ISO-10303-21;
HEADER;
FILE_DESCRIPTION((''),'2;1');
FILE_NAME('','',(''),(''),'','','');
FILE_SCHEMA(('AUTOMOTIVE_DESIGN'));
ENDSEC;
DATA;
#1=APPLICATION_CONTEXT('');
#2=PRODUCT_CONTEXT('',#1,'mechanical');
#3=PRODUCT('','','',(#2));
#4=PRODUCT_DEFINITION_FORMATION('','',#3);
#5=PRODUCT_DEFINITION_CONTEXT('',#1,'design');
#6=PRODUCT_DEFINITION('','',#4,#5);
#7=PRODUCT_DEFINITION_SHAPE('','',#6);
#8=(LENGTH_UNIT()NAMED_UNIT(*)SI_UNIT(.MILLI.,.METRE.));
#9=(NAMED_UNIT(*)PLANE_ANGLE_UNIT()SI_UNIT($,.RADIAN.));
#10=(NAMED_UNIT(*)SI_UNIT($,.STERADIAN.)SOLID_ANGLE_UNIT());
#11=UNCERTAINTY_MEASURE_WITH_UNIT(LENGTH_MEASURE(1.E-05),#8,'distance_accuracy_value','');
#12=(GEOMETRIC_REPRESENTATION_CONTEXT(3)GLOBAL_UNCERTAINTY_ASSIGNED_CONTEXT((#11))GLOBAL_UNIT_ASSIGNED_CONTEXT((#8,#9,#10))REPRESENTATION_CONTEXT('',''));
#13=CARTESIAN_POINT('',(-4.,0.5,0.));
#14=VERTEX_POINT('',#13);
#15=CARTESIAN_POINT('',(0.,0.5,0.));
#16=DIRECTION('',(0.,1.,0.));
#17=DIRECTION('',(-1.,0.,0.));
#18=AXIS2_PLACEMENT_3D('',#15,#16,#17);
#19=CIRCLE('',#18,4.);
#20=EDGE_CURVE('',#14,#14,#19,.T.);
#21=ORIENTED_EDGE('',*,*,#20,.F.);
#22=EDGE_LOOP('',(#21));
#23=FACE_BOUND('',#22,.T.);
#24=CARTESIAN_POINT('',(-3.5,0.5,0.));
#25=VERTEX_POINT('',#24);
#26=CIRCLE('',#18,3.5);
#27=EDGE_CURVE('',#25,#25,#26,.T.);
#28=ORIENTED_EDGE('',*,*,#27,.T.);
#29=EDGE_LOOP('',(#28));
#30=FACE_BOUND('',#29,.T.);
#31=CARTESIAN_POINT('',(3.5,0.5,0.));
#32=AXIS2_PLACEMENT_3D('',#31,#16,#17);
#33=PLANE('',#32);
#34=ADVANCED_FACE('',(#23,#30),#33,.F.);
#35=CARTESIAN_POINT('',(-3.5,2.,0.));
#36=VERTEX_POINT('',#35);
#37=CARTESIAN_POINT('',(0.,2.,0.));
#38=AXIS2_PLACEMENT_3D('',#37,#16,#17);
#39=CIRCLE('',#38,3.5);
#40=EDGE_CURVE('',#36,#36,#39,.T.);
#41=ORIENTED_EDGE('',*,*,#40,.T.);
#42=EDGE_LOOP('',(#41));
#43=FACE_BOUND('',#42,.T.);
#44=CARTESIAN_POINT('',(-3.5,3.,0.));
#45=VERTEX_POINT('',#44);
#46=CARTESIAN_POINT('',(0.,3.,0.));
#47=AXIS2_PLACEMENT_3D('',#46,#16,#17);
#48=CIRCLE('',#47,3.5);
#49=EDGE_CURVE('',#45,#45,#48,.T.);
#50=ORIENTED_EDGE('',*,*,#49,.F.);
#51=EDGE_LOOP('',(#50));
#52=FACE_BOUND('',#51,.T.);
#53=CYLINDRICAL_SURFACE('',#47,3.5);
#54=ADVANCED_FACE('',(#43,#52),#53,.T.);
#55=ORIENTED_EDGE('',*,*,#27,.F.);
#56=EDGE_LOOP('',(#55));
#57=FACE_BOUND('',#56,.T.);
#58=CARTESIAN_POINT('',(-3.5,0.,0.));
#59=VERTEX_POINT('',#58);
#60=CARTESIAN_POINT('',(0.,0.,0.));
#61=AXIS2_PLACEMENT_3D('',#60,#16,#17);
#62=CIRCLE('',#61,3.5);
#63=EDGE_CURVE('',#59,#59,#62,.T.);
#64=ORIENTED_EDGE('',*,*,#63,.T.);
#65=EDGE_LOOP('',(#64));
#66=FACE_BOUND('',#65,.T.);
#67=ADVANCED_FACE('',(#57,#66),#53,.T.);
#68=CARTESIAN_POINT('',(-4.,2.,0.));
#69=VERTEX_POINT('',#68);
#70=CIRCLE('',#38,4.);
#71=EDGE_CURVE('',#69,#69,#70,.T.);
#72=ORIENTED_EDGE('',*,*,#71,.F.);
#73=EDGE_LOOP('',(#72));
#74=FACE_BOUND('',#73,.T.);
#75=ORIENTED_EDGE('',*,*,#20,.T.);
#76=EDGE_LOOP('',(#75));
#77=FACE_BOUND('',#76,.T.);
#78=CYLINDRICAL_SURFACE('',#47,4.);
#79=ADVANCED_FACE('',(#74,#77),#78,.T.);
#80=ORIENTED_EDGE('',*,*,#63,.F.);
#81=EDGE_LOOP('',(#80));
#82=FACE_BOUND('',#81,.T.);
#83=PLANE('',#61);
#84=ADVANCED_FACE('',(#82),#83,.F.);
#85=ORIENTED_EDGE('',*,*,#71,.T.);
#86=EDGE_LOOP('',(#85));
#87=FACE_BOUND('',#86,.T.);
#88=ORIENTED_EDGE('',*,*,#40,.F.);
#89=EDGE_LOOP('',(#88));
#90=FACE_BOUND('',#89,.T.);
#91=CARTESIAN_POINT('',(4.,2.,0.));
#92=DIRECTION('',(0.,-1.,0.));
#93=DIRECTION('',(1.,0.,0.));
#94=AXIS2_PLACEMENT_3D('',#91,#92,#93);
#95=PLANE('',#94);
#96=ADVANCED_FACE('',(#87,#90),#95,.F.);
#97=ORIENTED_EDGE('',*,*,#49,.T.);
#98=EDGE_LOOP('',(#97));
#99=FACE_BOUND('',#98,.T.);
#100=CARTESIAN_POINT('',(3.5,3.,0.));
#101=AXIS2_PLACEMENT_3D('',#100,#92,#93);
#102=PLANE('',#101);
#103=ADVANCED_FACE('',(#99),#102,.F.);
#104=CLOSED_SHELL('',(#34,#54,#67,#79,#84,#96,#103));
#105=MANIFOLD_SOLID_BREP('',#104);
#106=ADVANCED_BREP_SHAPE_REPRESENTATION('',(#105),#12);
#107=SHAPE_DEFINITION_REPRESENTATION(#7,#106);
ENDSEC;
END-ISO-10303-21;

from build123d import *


with BuildPart() as part:
    # Esquisse1 → Révolution1 (revolve)
    with BuildSketch(Plane.XY, mode=Mode.PRIVATE) as r_volution1_sk:
        Polygon((0, 0), (3.5, 0), (3.5, 0.5), (4, 0.5), (4, 2), (3.5, 2), (3.5, 3), (0, 3), align=None)
    revolve(r_volution1_sk.sketch.rotate(Axis((0, 3, 0), (0, -1, 0)), 180), axis=Axis((0, 3, 0), (0, -1, 0)))


solid = part.part
